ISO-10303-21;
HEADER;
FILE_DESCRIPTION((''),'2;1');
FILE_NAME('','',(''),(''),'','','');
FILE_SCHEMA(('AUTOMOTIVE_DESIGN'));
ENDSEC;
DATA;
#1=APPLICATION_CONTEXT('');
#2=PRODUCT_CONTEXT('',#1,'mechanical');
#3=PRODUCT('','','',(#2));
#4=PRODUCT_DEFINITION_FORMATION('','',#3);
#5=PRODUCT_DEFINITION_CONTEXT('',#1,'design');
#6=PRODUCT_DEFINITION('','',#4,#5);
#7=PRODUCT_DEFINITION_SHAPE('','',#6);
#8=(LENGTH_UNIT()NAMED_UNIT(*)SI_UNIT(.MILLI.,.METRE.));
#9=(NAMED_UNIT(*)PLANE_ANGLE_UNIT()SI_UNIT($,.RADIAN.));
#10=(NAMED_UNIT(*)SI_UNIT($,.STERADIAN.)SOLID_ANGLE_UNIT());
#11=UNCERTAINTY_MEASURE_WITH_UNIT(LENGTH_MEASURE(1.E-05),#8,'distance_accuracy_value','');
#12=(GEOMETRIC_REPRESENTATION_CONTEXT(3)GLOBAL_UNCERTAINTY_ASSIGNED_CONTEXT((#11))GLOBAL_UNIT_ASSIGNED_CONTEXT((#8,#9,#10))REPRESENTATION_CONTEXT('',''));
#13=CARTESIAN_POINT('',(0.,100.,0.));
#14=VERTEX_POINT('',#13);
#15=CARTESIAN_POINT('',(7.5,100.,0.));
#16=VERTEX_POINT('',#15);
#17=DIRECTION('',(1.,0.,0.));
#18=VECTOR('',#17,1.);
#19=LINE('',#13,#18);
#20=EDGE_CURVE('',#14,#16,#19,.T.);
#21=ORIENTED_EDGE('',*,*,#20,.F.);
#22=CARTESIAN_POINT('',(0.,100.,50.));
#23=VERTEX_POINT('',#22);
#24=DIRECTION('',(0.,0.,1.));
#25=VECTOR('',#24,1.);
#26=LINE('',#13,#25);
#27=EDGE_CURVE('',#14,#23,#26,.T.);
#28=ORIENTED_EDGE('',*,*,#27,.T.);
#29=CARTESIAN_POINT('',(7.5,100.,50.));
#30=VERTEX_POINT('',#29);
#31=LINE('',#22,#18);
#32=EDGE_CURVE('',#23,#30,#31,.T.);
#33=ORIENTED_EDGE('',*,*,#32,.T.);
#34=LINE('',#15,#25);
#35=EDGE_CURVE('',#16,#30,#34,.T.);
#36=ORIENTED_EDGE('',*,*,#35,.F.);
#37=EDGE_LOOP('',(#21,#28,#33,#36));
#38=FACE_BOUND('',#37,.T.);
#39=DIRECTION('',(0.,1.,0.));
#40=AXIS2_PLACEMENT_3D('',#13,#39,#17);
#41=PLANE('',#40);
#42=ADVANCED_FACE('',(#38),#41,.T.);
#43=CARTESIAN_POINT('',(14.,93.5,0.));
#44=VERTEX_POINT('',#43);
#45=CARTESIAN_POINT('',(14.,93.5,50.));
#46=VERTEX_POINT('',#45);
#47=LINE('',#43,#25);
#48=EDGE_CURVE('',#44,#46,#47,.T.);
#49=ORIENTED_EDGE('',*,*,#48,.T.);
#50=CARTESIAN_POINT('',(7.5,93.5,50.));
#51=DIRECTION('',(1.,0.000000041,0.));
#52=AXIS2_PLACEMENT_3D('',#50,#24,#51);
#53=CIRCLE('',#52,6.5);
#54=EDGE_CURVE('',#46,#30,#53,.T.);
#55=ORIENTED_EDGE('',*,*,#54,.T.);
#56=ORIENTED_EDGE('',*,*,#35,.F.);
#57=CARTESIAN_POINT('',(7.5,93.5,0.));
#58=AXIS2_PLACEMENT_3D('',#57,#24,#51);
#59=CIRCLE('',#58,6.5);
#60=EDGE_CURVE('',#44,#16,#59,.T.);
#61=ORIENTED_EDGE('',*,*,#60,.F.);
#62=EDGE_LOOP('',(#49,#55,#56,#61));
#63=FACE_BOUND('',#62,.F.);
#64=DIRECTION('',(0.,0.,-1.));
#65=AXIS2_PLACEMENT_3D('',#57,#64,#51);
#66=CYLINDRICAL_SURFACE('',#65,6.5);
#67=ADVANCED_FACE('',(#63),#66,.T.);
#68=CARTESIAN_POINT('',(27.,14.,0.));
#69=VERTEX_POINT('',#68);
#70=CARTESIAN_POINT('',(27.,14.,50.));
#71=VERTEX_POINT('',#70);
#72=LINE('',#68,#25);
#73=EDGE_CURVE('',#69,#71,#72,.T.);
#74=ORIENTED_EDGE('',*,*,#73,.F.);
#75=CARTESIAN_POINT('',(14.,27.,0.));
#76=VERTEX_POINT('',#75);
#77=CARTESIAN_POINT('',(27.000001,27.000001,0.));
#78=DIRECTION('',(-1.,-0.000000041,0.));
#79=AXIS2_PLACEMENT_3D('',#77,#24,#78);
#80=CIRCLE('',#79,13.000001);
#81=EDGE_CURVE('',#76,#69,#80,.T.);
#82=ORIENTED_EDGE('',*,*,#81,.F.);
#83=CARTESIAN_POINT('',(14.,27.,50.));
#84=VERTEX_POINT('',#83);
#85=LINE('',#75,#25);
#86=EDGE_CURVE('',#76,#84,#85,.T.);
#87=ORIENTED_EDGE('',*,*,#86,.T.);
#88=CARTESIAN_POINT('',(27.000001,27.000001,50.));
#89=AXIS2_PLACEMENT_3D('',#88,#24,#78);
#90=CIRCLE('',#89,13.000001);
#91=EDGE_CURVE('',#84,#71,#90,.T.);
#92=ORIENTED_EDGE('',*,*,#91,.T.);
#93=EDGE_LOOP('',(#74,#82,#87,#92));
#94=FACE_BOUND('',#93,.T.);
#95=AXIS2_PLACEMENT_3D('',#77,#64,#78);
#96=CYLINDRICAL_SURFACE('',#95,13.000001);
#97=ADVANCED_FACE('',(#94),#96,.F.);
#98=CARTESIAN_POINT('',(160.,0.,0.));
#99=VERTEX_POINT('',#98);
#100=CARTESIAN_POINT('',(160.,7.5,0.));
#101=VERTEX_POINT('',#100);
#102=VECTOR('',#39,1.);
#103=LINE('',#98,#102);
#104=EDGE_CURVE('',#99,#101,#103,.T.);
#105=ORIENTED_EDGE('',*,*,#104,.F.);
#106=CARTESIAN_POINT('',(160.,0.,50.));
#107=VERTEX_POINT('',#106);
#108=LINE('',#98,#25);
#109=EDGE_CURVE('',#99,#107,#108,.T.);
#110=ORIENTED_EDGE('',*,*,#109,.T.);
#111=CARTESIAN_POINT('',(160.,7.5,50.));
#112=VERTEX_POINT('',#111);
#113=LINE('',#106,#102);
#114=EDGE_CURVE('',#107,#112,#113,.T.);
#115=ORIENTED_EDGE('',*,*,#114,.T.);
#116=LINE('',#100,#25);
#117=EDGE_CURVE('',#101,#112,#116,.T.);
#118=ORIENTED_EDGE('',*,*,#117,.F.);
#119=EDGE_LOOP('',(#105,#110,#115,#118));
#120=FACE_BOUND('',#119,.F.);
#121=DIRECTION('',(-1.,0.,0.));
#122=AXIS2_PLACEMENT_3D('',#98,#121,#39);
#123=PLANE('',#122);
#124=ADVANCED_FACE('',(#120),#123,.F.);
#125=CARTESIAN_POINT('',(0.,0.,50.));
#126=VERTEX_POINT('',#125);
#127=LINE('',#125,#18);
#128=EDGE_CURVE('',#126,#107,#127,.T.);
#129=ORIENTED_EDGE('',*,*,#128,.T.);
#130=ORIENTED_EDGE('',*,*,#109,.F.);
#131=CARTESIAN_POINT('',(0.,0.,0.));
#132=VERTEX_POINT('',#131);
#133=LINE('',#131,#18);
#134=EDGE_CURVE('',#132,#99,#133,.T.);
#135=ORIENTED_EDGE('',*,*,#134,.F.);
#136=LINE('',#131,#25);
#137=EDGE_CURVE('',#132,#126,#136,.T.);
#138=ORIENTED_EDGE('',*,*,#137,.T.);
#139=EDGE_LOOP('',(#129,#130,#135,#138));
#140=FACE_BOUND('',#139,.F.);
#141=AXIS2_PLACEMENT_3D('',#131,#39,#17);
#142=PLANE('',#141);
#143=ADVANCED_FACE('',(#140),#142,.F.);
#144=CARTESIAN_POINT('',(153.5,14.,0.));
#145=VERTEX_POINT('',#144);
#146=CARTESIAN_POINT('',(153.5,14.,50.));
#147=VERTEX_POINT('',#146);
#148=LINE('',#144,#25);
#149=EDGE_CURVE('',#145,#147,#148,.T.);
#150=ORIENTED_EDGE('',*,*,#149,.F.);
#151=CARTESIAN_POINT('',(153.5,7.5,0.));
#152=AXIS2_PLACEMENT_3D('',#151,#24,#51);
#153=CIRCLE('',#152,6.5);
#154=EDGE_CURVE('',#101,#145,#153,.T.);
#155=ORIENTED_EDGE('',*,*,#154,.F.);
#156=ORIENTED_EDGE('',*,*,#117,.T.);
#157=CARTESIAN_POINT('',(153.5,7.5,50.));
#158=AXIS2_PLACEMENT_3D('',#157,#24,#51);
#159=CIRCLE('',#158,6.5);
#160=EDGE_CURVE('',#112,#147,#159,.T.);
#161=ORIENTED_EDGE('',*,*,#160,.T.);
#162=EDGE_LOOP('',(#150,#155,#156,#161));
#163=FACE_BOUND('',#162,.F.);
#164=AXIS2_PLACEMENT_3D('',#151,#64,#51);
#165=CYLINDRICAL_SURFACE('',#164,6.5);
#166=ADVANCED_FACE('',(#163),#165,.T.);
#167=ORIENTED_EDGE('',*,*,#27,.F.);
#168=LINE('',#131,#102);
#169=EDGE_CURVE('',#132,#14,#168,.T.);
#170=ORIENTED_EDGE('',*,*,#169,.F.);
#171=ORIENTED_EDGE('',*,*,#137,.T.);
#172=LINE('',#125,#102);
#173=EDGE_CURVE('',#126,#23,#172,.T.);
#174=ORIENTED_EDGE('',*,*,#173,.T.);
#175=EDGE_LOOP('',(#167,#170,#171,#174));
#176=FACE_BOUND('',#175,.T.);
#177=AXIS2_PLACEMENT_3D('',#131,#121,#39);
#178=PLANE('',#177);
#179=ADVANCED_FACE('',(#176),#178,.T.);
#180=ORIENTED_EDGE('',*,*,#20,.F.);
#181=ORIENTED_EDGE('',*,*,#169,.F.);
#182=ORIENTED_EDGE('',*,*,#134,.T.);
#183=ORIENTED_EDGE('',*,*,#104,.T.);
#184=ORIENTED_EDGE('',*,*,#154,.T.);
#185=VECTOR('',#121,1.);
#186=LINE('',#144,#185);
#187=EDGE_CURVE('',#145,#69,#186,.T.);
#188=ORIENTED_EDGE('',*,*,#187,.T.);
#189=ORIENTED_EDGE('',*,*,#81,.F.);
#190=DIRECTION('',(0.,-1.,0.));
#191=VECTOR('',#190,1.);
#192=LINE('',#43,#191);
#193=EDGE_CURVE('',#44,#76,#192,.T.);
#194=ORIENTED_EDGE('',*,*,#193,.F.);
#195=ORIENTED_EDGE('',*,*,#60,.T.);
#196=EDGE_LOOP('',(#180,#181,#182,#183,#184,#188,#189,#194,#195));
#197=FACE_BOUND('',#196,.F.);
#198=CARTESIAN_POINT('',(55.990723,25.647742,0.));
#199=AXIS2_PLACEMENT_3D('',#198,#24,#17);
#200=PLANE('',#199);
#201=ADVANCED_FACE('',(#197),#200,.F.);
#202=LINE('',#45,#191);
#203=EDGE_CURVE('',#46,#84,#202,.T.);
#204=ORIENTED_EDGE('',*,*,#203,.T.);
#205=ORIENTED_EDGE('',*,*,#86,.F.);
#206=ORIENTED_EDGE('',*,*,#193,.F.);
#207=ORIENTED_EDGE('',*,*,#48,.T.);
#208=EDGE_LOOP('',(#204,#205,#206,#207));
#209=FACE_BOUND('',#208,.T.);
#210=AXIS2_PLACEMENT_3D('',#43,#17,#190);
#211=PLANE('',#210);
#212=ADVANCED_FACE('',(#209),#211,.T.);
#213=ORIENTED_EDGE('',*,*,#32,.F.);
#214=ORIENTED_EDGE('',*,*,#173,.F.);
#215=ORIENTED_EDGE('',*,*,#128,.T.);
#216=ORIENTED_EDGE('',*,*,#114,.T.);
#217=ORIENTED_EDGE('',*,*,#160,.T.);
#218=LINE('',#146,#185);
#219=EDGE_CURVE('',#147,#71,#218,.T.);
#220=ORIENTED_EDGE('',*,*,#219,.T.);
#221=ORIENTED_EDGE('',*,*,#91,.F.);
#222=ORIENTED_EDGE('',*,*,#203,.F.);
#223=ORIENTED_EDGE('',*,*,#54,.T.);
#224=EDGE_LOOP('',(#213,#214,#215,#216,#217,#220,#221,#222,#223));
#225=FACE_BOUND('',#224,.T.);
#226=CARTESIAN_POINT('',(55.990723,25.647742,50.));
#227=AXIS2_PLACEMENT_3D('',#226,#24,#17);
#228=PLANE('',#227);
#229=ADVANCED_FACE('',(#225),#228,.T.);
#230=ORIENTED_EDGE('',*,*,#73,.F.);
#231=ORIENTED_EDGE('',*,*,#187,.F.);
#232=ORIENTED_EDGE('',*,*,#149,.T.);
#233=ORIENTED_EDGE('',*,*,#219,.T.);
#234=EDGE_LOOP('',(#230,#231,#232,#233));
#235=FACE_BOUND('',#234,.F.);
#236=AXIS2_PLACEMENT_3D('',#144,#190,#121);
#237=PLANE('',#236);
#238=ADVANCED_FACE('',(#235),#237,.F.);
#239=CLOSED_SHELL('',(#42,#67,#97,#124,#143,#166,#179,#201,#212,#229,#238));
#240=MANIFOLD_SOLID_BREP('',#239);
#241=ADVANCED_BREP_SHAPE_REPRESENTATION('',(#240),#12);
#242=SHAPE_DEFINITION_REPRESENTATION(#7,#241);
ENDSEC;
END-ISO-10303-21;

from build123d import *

# Parameters (mm, degrees)
EXTRUDE_DEPTH = 50


with BuildPart() as part:
    # Sketch → Extrude (new body)
    with BuildSketch(Plane.XY):
        with BuildLine():
            Line((0, 0), (160, 0))
            Line((160, 0), (160, 7.5))
            ThreePointArc((160, 7.5), (158.096194, 12.096194), (153.5, 14))
            Line((153.5, 14), (27, 14))
            ThreePointArc((14, 27), (17.807612, 17.807612), (27, 14))
            Line((14, 93.5), (14, 27))
            ThreePointArc((14, 93.5), (12.096194, 98.096194), (7.5, 100))
            Line((0, 100), (7.5, 100))
            Line((0, 0), (0, 100))
        make_face()
    extrude(amount=EXTRUDE_DEPTH)


solid = part.part
